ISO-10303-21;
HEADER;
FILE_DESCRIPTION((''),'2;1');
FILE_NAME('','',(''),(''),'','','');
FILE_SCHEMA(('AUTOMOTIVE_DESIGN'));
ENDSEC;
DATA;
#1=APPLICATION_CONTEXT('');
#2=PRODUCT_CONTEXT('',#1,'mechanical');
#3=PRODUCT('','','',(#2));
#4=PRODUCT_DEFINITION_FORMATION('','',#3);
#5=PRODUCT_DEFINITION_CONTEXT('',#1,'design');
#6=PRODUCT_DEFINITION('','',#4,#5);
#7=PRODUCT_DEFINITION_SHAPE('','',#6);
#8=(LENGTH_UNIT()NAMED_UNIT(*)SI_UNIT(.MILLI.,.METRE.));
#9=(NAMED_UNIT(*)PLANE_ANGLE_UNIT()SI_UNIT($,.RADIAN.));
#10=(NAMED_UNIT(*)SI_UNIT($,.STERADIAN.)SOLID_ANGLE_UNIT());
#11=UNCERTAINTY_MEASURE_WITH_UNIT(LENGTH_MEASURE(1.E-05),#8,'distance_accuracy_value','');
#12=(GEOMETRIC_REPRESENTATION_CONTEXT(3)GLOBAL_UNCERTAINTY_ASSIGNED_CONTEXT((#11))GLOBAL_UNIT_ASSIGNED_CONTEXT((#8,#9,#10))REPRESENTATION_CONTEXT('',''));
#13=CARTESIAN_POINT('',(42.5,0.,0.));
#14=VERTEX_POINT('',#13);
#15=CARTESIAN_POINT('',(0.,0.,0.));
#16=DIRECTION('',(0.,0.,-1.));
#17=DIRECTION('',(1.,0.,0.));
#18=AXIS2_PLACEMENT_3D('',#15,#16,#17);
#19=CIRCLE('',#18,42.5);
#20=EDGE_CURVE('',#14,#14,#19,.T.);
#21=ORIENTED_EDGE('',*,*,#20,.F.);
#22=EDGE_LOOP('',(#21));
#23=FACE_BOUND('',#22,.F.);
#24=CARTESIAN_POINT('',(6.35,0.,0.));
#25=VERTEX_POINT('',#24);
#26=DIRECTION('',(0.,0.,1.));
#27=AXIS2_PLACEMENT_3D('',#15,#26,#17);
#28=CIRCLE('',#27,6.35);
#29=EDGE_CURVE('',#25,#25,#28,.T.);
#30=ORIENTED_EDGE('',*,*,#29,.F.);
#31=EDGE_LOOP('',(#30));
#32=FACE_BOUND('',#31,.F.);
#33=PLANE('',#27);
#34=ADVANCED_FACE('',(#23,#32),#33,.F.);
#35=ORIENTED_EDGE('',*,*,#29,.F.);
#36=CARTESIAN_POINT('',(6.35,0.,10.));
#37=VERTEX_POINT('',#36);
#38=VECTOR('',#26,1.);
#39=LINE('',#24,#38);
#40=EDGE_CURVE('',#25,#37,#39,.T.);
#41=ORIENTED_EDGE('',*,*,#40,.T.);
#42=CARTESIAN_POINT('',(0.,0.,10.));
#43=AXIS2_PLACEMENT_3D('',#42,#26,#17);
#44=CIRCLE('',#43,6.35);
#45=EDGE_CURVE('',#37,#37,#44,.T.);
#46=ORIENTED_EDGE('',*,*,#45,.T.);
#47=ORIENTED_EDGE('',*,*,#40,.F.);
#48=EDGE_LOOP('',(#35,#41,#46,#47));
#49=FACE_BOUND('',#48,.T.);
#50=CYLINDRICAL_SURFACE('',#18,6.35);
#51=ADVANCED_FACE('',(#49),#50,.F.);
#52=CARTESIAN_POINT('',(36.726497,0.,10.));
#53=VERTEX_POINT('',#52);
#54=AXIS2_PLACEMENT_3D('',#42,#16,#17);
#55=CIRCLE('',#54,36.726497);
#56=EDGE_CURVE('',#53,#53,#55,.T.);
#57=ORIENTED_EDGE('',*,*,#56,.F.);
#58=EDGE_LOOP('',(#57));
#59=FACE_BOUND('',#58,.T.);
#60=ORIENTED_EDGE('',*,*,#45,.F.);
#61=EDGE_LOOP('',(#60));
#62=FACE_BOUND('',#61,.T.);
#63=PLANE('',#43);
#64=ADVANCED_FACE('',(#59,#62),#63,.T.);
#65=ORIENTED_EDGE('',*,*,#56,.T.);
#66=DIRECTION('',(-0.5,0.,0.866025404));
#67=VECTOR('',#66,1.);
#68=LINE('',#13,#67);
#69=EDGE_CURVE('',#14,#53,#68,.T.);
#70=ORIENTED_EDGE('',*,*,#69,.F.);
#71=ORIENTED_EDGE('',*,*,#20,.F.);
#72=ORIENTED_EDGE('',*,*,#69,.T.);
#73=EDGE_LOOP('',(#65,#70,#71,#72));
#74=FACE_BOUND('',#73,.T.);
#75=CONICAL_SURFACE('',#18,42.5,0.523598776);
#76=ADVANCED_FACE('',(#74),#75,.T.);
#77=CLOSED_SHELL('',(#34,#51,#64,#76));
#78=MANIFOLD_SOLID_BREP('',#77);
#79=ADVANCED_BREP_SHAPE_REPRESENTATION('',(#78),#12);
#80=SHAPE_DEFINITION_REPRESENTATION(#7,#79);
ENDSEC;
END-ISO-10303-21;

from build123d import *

# Parameters (mm, degrees)
F0_R     = 42.5
F1_DEPTH = 10
F1_TAPER = 30
F2_R     = 6.35
F3_DEPTH = 10


with BuildPart() as f1:
    # F0 (on Top) → F1 (new body)
    with BuildSketch(Plane.XY):
        Circle(F0_R)
    extrude(amount=F1_DEPTH, taper=F1_TAPER)

    # F2 (on Top) → F3 (cut, through all)
    with BuildSketch(Plane.XY):
        Circle(F2_R)
    extrude(amount=F3_DEPTH, mode=Mode.SUBTRACT)


solid = f1.part
